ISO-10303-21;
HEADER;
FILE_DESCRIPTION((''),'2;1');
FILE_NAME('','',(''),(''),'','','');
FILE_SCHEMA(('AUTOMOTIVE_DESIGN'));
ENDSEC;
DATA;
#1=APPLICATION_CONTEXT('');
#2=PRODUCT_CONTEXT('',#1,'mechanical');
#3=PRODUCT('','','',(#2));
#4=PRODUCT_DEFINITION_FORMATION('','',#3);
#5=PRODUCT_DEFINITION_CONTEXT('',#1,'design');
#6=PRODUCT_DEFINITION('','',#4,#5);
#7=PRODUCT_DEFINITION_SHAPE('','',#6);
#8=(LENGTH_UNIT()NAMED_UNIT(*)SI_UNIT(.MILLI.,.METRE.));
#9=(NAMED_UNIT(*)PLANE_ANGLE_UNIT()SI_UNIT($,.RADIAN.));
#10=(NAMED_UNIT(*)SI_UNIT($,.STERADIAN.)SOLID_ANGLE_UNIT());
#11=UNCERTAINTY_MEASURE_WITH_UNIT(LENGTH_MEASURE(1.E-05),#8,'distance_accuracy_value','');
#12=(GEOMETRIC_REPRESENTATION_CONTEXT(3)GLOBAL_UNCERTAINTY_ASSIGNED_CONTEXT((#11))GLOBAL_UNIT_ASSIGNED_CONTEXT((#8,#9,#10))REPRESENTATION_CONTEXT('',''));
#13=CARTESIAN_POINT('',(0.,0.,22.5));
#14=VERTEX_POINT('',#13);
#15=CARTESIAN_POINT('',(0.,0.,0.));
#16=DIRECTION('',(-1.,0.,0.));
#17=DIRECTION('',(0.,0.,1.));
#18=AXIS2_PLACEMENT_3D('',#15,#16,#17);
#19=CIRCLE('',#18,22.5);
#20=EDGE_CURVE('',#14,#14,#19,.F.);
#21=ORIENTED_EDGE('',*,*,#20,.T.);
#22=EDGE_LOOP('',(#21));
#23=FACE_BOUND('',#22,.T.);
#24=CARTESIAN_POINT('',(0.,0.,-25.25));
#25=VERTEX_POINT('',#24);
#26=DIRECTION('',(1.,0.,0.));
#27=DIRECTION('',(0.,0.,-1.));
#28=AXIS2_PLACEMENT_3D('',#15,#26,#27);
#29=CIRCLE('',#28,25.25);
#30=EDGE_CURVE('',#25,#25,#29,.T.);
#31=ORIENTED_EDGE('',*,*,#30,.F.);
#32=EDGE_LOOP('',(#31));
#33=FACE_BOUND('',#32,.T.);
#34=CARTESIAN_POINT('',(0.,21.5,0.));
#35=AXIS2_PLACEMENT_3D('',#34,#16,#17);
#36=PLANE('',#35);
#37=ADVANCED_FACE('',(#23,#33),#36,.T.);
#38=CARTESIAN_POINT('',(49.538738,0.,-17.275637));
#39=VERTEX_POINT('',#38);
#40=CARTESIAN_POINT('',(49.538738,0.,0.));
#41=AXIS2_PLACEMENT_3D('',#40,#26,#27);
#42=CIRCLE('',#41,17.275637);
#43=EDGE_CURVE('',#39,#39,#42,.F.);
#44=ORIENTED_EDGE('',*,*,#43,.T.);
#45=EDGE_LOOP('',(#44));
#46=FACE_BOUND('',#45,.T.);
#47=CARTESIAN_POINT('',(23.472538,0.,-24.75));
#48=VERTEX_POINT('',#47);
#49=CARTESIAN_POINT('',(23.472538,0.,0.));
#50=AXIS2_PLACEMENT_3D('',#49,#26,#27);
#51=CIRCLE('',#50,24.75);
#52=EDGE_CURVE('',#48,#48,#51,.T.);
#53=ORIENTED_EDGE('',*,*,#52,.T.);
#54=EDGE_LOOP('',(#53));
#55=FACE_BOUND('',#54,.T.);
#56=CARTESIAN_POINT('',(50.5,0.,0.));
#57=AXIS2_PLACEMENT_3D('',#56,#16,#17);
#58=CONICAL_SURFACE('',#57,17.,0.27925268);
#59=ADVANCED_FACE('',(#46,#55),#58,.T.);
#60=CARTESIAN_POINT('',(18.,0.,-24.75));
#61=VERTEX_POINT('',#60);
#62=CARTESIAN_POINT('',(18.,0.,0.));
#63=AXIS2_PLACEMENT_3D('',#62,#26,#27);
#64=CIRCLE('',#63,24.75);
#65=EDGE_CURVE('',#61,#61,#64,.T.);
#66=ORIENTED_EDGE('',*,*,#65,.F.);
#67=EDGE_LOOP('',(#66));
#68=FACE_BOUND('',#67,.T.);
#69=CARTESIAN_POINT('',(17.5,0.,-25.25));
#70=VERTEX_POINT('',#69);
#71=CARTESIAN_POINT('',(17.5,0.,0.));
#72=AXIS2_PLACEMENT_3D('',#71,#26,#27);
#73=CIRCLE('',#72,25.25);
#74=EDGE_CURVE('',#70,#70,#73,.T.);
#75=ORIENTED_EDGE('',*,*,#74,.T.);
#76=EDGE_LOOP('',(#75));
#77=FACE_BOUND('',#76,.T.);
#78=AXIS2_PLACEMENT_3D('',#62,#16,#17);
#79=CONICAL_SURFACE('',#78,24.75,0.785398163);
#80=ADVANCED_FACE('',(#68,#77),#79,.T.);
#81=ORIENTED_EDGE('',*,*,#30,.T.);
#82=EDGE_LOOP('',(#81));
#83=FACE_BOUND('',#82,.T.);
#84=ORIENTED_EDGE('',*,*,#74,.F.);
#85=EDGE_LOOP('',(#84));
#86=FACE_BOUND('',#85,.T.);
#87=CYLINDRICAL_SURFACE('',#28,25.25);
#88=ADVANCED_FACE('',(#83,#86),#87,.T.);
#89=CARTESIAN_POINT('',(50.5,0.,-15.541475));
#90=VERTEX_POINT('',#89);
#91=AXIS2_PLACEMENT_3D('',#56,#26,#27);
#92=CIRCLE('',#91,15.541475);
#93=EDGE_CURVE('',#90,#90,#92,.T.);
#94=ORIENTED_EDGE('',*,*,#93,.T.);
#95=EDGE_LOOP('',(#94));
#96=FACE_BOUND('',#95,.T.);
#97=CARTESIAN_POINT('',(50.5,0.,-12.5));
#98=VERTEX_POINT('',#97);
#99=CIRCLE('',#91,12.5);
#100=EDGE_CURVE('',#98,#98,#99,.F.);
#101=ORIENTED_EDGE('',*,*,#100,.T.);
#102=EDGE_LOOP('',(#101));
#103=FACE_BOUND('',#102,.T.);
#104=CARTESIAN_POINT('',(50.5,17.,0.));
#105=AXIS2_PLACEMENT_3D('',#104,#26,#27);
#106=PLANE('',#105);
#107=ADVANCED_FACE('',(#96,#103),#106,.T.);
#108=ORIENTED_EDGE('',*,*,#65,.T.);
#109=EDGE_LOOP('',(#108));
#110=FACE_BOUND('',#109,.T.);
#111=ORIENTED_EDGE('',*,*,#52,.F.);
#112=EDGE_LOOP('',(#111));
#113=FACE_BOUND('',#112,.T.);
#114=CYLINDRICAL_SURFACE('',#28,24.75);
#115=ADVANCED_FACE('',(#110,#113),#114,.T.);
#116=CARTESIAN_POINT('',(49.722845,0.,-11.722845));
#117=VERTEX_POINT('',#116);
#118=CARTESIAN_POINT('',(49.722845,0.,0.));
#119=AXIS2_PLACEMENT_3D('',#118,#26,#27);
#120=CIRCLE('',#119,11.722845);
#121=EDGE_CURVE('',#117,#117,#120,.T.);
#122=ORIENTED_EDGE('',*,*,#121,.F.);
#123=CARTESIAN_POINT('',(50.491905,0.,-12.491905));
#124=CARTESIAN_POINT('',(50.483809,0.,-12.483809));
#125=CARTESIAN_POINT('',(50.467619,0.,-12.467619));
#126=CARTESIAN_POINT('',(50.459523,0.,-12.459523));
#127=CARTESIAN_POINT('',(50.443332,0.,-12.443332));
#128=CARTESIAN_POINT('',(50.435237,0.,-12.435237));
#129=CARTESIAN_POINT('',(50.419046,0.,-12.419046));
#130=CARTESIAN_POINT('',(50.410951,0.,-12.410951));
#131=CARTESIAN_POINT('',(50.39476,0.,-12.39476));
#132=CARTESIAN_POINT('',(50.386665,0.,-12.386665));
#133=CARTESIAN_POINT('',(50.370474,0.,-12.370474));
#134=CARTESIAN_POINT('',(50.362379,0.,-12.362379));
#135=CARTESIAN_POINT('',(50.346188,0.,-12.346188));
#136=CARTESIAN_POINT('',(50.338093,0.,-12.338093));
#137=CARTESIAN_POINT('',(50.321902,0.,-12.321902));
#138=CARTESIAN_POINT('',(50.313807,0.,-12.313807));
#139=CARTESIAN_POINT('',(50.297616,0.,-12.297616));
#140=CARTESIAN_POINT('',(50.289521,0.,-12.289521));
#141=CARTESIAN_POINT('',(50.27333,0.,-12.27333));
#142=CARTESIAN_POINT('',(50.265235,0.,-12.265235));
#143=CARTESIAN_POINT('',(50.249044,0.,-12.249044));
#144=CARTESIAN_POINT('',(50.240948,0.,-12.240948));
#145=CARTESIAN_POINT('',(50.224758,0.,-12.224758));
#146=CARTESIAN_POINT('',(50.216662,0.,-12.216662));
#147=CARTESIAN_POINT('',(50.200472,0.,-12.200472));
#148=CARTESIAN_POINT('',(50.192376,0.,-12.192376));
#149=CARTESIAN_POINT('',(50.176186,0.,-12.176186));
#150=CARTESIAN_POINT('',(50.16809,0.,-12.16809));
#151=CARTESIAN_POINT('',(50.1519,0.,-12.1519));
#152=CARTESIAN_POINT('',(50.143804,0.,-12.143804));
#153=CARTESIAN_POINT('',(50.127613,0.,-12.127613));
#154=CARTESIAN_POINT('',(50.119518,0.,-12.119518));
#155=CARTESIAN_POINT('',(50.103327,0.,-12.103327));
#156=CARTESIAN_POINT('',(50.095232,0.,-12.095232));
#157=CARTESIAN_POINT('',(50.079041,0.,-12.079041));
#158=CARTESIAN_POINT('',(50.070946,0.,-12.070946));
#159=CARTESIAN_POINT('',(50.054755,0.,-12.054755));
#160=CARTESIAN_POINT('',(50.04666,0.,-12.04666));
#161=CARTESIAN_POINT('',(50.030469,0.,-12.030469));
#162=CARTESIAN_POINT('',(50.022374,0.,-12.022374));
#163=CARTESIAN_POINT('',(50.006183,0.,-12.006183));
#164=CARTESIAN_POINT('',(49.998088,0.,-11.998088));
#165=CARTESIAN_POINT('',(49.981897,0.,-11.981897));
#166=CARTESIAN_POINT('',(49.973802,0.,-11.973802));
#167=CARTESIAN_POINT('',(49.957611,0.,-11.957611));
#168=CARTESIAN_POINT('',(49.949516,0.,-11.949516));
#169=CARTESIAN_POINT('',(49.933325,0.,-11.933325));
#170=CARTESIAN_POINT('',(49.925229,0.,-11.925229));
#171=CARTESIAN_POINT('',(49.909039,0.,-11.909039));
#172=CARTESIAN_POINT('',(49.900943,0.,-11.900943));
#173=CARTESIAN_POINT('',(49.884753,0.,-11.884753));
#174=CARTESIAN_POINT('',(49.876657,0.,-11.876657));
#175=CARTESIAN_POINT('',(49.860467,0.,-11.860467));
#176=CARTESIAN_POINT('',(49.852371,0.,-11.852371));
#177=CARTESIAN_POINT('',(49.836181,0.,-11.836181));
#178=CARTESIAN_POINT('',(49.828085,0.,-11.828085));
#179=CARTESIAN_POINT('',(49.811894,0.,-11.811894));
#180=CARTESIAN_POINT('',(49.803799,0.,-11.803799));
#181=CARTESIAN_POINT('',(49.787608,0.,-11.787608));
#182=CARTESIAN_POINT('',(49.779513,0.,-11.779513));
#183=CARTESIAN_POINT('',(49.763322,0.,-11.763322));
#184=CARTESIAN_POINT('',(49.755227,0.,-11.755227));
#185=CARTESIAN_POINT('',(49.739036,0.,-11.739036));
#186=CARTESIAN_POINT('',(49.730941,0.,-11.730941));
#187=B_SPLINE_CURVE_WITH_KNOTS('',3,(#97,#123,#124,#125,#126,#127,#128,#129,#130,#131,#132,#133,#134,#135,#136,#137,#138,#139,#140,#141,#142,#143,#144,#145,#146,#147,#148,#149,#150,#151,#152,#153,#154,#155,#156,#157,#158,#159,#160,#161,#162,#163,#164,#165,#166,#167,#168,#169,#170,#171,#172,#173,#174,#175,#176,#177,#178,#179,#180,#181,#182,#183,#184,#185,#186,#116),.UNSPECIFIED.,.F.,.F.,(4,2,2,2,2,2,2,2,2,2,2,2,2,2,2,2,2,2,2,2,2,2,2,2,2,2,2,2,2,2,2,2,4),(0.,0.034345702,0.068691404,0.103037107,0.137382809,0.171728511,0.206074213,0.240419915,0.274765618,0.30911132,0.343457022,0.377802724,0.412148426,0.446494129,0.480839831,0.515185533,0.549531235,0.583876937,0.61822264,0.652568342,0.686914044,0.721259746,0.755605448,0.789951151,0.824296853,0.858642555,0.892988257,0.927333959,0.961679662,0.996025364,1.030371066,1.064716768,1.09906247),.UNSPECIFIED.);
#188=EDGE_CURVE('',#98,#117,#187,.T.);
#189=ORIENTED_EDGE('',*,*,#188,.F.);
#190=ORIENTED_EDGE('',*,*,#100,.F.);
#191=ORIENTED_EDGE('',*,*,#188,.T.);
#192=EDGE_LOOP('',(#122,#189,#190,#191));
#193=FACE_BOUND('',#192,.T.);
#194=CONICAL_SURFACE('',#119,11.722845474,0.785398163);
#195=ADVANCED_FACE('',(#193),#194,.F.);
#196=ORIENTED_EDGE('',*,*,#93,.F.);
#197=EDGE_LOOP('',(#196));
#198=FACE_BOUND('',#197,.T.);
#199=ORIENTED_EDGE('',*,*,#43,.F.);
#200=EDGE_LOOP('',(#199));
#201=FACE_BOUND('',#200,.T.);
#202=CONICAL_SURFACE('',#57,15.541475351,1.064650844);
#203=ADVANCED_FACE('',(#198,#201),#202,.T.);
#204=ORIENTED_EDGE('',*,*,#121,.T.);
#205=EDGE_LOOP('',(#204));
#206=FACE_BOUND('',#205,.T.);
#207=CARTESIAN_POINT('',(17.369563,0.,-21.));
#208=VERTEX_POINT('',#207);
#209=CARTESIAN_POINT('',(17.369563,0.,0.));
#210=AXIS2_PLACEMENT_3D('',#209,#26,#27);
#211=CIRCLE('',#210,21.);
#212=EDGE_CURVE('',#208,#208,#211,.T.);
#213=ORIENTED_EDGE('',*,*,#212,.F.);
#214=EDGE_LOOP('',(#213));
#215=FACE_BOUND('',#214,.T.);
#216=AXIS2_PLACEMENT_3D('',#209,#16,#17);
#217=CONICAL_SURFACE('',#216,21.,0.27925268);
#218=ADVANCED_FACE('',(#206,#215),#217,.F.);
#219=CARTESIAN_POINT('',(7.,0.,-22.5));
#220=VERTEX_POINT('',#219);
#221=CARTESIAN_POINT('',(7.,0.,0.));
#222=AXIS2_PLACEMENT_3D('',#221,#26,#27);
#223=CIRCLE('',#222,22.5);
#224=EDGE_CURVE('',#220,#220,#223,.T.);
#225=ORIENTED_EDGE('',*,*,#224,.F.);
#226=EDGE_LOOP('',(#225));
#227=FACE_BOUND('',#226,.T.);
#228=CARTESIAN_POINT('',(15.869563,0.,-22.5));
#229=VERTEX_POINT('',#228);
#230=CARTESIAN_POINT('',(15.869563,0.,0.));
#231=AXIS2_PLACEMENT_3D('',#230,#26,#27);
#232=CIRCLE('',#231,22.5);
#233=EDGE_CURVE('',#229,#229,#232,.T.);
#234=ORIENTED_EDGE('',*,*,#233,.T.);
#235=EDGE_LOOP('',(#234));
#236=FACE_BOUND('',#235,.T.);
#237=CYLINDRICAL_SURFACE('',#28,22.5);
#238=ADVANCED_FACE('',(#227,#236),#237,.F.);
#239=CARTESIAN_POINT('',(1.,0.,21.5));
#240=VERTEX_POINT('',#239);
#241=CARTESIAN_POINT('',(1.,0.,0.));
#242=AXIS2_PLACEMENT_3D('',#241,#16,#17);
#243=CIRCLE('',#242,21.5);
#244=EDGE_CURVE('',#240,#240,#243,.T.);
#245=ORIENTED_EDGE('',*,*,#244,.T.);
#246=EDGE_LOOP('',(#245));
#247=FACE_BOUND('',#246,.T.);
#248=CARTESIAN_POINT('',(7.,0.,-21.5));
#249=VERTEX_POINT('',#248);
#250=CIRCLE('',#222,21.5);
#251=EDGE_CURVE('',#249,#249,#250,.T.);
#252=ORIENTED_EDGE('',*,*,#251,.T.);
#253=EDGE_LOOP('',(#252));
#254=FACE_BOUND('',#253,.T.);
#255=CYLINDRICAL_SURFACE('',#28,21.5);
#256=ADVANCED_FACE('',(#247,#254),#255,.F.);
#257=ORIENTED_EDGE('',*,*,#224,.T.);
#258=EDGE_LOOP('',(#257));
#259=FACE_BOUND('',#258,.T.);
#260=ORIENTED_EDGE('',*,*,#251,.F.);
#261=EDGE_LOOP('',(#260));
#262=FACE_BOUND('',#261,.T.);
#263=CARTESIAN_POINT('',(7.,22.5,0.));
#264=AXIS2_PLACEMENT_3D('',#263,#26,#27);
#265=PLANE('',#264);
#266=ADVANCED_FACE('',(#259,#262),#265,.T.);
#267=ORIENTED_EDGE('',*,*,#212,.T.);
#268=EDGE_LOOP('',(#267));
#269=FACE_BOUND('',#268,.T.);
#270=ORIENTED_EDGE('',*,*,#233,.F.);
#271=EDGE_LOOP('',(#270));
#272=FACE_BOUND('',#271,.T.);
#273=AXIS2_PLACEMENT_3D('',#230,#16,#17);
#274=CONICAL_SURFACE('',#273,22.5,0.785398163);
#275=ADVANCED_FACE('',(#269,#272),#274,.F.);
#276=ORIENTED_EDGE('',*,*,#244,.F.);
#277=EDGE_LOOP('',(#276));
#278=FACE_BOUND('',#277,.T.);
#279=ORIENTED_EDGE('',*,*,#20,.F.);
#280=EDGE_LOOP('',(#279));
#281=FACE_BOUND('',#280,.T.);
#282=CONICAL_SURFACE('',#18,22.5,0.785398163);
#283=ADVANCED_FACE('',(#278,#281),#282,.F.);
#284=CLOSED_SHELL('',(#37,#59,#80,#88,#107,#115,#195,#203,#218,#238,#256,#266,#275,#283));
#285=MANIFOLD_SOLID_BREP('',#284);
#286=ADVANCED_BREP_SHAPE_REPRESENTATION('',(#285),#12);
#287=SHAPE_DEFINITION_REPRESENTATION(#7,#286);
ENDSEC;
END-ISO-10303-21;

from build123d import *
from OCP.BRepFilletAPI import BRepFilletAPI_MakeChamfer

# Parameters (mm, degrees)
CHANFREIN1_SIZE    = 1
CHANFREIN1_SIZE2   = 0.808473415
CHANFREIN1_SIZE2_2 = 1.458524649


with BuildPart() as part:
    # Esquisse1 → Révolution1 (revolve)
    with BuildSketch(Plane.XY, mode=Mode.PRIVATE) as r_volution1_sk:
        Polygon((0, 21.5), (0, 25.25), (17.5, 25.25), (18, 24.75), (23.47253806, 24.75), (50.5, 17), (50.5, 11.5), (17.369562784, 21), (15.869562784, 22.5), (7, 22.5), (7, 21.5), align=None)
    revolve(r_volution1_sk.sketch.rotate(Axis((0, 0, 0), (-1, 0, 0)), 90), axis=Axis((0, 0, 0), (-1, 0, 0)))

    # Chanfrein1: one chamfer whose edges measure the first distance from different faces: ONE call of the kernel's chamfer builder (chamfer() names one face for all edges)
    chanfrein1_edges_1 = [part.edges().sort_by_distance(p)[0] for p in [
        (0, 0, 21.5),
    ]]
    chanfrein1_edges_2 = [part.edges().sort_by_distance(p)[0] for p in [
        (50.5, 0, 11.5),
    ]]
    chanfrein1_side_2 = [part.faces().sort_by_distance(p)[0] for p in [
        (50.5, 0, 16.519167389),
    ]]
    chanfrein1_edges_3 = [part.edges().sort_by_distance(p)[0] for p in [
        (50.5, 0, 17),
    ]]
    chanfrein1_side_3 = [part.faces().sort_by_distance(p)[0] for p in [
        (36.98626903, 0, 20.875),
    ]]
    chanfrein1 = BRepFilletAPI_MakeChamfer(part.part.solid().wrapped)
    for e in chanfrein1_edges_1:
        chanfrein1.Add(CHANFREIN1_SIZE, e.wrapped)
    for e in chanfrein1_edges_2:
        chanfrein1.Add(CHANFREIN1_SIZE, CHANFREIN1_SIZE2, e.wrapped, chanfrein1_side_2[0].wrapped)  # the first distance lies on this face
    for e in chanfrein1_edges_3:
        chanfrein1.Add(CHANFREIN1_SIZE, CHANFREIN1_SIZE2_2, e.wrapped, chanfrein1_side_3[0].wrapped)  # the first distance lies on this face
    add(Compound.cast(chanfrein1.Shape()), mode=Mode.REPLACE)


solid = part.part
